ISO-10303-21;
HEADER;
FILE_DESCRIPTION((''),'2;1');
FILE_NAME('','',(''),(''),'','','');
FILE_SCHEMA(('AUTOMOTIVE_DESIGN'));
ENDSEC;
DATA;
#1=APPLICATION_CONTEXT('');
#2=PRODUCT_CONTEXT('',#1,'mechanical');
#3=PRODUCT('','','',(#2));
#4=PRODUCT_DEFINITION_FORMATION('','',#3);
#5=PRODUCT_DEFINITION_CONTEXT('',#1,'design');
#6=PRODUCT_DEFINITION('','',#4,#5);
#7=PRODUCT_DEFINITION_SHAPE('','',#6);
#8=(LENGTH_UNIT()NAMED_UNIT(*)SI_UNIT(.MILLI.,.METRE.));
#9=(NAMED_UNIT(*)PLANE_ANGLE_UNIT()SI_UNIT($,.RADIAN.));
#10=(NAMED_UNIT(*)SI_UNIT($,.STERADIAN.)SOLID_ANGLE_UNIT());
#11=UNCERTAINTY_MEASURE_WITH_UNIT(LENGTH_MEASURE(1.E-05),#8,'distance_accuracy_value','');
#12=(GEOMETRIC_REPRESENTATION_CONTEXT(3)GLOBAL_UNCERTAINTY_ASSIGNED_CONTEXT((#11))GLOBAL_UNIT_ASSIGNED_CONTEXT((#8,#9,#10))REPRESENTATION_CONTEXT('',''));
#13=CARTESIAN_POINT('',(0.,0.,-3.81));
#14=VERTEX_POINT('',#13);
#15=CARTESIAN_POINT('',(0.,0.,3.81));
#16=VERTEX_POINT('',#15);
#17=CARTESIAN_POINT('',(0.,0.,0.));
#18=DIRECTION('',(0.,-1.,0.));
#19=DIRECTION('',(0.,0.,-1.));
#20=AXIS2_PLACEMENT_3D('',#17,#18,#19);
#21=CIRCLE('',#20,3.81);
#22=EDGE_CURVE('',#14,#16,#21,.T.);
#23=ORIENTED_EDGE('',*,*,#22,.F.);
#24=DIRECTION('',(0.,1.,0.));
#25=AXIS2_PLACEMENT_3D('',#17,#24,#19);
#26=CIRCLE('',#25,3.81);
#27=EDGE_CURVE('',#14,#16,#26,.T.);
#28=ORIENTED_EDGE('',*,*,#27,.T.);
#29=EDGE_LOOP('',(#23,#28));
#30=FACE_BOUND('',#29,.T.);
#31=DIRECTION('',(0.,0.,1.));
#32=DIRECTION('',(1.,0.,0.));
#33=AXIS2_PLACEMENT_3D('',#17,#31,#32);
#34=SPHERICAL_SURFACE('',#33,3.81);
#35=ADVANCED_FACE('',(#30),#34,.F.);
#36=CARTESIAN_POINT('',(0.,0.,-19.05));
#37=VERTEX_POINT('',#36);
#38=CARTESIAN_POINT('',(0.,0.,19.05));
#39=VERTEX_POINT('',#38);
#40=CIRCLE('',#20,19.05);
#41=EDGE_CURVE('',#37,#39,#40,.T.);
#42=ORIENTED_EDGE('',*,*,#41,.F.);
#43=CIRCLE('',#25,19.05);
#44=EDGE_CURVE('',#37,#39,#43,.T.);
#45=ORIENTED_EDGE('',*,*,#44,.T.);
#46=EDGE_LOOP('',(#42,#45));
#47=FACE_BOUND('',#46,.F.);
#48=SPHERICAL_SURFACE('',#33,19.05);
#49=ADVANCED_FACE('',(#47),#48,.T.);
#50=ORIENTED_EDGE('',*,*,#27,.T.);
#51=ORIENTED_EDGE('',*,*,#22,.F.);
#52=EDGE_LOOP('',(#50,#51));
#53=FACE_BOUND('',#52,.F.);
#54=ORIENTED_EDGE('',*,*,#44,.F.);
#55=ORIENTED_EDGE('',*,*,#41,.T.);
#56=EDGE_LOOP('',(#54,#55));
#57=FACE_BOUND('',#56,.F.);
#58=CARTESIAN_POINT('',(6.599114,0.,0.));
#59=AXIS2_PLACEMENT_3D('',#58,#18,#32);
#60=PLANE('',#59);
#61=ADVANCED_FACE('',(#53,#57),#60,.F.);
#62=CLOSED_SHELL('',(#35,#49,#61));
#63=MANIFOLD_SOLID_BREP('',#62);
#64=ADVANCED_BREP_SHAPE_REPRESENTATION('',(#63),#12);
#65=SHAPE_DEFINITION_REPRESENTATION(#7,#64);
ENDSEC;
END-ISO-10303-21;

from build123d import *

# Parameters (mm, degrees)
F1_ANGLE = 180
F2_T     = -15.24


with BuildPart() as f1:
    # F0 (on Front) → F1 (revolve)
    with BuildSketch(Plane.XZ):
        with BuildLine():
            Line((0, 19.05), (0, -19.05))
            ThreePointArc((0, -19.05), (19.05, 0), (0, 19.05))
        make_face()
    revolve(axis=Axis((0, 0, 0), (0, 0, -1)), revolution_arc=F1_ANGLE)

    # F2
    f2_openings = [f1.faces().sort_by_distance(p)[0] for p in [
        (0, 0, 0),
    ]]
    offset(amount=F2_T, openings=f2_openings)


solid = f1.part
